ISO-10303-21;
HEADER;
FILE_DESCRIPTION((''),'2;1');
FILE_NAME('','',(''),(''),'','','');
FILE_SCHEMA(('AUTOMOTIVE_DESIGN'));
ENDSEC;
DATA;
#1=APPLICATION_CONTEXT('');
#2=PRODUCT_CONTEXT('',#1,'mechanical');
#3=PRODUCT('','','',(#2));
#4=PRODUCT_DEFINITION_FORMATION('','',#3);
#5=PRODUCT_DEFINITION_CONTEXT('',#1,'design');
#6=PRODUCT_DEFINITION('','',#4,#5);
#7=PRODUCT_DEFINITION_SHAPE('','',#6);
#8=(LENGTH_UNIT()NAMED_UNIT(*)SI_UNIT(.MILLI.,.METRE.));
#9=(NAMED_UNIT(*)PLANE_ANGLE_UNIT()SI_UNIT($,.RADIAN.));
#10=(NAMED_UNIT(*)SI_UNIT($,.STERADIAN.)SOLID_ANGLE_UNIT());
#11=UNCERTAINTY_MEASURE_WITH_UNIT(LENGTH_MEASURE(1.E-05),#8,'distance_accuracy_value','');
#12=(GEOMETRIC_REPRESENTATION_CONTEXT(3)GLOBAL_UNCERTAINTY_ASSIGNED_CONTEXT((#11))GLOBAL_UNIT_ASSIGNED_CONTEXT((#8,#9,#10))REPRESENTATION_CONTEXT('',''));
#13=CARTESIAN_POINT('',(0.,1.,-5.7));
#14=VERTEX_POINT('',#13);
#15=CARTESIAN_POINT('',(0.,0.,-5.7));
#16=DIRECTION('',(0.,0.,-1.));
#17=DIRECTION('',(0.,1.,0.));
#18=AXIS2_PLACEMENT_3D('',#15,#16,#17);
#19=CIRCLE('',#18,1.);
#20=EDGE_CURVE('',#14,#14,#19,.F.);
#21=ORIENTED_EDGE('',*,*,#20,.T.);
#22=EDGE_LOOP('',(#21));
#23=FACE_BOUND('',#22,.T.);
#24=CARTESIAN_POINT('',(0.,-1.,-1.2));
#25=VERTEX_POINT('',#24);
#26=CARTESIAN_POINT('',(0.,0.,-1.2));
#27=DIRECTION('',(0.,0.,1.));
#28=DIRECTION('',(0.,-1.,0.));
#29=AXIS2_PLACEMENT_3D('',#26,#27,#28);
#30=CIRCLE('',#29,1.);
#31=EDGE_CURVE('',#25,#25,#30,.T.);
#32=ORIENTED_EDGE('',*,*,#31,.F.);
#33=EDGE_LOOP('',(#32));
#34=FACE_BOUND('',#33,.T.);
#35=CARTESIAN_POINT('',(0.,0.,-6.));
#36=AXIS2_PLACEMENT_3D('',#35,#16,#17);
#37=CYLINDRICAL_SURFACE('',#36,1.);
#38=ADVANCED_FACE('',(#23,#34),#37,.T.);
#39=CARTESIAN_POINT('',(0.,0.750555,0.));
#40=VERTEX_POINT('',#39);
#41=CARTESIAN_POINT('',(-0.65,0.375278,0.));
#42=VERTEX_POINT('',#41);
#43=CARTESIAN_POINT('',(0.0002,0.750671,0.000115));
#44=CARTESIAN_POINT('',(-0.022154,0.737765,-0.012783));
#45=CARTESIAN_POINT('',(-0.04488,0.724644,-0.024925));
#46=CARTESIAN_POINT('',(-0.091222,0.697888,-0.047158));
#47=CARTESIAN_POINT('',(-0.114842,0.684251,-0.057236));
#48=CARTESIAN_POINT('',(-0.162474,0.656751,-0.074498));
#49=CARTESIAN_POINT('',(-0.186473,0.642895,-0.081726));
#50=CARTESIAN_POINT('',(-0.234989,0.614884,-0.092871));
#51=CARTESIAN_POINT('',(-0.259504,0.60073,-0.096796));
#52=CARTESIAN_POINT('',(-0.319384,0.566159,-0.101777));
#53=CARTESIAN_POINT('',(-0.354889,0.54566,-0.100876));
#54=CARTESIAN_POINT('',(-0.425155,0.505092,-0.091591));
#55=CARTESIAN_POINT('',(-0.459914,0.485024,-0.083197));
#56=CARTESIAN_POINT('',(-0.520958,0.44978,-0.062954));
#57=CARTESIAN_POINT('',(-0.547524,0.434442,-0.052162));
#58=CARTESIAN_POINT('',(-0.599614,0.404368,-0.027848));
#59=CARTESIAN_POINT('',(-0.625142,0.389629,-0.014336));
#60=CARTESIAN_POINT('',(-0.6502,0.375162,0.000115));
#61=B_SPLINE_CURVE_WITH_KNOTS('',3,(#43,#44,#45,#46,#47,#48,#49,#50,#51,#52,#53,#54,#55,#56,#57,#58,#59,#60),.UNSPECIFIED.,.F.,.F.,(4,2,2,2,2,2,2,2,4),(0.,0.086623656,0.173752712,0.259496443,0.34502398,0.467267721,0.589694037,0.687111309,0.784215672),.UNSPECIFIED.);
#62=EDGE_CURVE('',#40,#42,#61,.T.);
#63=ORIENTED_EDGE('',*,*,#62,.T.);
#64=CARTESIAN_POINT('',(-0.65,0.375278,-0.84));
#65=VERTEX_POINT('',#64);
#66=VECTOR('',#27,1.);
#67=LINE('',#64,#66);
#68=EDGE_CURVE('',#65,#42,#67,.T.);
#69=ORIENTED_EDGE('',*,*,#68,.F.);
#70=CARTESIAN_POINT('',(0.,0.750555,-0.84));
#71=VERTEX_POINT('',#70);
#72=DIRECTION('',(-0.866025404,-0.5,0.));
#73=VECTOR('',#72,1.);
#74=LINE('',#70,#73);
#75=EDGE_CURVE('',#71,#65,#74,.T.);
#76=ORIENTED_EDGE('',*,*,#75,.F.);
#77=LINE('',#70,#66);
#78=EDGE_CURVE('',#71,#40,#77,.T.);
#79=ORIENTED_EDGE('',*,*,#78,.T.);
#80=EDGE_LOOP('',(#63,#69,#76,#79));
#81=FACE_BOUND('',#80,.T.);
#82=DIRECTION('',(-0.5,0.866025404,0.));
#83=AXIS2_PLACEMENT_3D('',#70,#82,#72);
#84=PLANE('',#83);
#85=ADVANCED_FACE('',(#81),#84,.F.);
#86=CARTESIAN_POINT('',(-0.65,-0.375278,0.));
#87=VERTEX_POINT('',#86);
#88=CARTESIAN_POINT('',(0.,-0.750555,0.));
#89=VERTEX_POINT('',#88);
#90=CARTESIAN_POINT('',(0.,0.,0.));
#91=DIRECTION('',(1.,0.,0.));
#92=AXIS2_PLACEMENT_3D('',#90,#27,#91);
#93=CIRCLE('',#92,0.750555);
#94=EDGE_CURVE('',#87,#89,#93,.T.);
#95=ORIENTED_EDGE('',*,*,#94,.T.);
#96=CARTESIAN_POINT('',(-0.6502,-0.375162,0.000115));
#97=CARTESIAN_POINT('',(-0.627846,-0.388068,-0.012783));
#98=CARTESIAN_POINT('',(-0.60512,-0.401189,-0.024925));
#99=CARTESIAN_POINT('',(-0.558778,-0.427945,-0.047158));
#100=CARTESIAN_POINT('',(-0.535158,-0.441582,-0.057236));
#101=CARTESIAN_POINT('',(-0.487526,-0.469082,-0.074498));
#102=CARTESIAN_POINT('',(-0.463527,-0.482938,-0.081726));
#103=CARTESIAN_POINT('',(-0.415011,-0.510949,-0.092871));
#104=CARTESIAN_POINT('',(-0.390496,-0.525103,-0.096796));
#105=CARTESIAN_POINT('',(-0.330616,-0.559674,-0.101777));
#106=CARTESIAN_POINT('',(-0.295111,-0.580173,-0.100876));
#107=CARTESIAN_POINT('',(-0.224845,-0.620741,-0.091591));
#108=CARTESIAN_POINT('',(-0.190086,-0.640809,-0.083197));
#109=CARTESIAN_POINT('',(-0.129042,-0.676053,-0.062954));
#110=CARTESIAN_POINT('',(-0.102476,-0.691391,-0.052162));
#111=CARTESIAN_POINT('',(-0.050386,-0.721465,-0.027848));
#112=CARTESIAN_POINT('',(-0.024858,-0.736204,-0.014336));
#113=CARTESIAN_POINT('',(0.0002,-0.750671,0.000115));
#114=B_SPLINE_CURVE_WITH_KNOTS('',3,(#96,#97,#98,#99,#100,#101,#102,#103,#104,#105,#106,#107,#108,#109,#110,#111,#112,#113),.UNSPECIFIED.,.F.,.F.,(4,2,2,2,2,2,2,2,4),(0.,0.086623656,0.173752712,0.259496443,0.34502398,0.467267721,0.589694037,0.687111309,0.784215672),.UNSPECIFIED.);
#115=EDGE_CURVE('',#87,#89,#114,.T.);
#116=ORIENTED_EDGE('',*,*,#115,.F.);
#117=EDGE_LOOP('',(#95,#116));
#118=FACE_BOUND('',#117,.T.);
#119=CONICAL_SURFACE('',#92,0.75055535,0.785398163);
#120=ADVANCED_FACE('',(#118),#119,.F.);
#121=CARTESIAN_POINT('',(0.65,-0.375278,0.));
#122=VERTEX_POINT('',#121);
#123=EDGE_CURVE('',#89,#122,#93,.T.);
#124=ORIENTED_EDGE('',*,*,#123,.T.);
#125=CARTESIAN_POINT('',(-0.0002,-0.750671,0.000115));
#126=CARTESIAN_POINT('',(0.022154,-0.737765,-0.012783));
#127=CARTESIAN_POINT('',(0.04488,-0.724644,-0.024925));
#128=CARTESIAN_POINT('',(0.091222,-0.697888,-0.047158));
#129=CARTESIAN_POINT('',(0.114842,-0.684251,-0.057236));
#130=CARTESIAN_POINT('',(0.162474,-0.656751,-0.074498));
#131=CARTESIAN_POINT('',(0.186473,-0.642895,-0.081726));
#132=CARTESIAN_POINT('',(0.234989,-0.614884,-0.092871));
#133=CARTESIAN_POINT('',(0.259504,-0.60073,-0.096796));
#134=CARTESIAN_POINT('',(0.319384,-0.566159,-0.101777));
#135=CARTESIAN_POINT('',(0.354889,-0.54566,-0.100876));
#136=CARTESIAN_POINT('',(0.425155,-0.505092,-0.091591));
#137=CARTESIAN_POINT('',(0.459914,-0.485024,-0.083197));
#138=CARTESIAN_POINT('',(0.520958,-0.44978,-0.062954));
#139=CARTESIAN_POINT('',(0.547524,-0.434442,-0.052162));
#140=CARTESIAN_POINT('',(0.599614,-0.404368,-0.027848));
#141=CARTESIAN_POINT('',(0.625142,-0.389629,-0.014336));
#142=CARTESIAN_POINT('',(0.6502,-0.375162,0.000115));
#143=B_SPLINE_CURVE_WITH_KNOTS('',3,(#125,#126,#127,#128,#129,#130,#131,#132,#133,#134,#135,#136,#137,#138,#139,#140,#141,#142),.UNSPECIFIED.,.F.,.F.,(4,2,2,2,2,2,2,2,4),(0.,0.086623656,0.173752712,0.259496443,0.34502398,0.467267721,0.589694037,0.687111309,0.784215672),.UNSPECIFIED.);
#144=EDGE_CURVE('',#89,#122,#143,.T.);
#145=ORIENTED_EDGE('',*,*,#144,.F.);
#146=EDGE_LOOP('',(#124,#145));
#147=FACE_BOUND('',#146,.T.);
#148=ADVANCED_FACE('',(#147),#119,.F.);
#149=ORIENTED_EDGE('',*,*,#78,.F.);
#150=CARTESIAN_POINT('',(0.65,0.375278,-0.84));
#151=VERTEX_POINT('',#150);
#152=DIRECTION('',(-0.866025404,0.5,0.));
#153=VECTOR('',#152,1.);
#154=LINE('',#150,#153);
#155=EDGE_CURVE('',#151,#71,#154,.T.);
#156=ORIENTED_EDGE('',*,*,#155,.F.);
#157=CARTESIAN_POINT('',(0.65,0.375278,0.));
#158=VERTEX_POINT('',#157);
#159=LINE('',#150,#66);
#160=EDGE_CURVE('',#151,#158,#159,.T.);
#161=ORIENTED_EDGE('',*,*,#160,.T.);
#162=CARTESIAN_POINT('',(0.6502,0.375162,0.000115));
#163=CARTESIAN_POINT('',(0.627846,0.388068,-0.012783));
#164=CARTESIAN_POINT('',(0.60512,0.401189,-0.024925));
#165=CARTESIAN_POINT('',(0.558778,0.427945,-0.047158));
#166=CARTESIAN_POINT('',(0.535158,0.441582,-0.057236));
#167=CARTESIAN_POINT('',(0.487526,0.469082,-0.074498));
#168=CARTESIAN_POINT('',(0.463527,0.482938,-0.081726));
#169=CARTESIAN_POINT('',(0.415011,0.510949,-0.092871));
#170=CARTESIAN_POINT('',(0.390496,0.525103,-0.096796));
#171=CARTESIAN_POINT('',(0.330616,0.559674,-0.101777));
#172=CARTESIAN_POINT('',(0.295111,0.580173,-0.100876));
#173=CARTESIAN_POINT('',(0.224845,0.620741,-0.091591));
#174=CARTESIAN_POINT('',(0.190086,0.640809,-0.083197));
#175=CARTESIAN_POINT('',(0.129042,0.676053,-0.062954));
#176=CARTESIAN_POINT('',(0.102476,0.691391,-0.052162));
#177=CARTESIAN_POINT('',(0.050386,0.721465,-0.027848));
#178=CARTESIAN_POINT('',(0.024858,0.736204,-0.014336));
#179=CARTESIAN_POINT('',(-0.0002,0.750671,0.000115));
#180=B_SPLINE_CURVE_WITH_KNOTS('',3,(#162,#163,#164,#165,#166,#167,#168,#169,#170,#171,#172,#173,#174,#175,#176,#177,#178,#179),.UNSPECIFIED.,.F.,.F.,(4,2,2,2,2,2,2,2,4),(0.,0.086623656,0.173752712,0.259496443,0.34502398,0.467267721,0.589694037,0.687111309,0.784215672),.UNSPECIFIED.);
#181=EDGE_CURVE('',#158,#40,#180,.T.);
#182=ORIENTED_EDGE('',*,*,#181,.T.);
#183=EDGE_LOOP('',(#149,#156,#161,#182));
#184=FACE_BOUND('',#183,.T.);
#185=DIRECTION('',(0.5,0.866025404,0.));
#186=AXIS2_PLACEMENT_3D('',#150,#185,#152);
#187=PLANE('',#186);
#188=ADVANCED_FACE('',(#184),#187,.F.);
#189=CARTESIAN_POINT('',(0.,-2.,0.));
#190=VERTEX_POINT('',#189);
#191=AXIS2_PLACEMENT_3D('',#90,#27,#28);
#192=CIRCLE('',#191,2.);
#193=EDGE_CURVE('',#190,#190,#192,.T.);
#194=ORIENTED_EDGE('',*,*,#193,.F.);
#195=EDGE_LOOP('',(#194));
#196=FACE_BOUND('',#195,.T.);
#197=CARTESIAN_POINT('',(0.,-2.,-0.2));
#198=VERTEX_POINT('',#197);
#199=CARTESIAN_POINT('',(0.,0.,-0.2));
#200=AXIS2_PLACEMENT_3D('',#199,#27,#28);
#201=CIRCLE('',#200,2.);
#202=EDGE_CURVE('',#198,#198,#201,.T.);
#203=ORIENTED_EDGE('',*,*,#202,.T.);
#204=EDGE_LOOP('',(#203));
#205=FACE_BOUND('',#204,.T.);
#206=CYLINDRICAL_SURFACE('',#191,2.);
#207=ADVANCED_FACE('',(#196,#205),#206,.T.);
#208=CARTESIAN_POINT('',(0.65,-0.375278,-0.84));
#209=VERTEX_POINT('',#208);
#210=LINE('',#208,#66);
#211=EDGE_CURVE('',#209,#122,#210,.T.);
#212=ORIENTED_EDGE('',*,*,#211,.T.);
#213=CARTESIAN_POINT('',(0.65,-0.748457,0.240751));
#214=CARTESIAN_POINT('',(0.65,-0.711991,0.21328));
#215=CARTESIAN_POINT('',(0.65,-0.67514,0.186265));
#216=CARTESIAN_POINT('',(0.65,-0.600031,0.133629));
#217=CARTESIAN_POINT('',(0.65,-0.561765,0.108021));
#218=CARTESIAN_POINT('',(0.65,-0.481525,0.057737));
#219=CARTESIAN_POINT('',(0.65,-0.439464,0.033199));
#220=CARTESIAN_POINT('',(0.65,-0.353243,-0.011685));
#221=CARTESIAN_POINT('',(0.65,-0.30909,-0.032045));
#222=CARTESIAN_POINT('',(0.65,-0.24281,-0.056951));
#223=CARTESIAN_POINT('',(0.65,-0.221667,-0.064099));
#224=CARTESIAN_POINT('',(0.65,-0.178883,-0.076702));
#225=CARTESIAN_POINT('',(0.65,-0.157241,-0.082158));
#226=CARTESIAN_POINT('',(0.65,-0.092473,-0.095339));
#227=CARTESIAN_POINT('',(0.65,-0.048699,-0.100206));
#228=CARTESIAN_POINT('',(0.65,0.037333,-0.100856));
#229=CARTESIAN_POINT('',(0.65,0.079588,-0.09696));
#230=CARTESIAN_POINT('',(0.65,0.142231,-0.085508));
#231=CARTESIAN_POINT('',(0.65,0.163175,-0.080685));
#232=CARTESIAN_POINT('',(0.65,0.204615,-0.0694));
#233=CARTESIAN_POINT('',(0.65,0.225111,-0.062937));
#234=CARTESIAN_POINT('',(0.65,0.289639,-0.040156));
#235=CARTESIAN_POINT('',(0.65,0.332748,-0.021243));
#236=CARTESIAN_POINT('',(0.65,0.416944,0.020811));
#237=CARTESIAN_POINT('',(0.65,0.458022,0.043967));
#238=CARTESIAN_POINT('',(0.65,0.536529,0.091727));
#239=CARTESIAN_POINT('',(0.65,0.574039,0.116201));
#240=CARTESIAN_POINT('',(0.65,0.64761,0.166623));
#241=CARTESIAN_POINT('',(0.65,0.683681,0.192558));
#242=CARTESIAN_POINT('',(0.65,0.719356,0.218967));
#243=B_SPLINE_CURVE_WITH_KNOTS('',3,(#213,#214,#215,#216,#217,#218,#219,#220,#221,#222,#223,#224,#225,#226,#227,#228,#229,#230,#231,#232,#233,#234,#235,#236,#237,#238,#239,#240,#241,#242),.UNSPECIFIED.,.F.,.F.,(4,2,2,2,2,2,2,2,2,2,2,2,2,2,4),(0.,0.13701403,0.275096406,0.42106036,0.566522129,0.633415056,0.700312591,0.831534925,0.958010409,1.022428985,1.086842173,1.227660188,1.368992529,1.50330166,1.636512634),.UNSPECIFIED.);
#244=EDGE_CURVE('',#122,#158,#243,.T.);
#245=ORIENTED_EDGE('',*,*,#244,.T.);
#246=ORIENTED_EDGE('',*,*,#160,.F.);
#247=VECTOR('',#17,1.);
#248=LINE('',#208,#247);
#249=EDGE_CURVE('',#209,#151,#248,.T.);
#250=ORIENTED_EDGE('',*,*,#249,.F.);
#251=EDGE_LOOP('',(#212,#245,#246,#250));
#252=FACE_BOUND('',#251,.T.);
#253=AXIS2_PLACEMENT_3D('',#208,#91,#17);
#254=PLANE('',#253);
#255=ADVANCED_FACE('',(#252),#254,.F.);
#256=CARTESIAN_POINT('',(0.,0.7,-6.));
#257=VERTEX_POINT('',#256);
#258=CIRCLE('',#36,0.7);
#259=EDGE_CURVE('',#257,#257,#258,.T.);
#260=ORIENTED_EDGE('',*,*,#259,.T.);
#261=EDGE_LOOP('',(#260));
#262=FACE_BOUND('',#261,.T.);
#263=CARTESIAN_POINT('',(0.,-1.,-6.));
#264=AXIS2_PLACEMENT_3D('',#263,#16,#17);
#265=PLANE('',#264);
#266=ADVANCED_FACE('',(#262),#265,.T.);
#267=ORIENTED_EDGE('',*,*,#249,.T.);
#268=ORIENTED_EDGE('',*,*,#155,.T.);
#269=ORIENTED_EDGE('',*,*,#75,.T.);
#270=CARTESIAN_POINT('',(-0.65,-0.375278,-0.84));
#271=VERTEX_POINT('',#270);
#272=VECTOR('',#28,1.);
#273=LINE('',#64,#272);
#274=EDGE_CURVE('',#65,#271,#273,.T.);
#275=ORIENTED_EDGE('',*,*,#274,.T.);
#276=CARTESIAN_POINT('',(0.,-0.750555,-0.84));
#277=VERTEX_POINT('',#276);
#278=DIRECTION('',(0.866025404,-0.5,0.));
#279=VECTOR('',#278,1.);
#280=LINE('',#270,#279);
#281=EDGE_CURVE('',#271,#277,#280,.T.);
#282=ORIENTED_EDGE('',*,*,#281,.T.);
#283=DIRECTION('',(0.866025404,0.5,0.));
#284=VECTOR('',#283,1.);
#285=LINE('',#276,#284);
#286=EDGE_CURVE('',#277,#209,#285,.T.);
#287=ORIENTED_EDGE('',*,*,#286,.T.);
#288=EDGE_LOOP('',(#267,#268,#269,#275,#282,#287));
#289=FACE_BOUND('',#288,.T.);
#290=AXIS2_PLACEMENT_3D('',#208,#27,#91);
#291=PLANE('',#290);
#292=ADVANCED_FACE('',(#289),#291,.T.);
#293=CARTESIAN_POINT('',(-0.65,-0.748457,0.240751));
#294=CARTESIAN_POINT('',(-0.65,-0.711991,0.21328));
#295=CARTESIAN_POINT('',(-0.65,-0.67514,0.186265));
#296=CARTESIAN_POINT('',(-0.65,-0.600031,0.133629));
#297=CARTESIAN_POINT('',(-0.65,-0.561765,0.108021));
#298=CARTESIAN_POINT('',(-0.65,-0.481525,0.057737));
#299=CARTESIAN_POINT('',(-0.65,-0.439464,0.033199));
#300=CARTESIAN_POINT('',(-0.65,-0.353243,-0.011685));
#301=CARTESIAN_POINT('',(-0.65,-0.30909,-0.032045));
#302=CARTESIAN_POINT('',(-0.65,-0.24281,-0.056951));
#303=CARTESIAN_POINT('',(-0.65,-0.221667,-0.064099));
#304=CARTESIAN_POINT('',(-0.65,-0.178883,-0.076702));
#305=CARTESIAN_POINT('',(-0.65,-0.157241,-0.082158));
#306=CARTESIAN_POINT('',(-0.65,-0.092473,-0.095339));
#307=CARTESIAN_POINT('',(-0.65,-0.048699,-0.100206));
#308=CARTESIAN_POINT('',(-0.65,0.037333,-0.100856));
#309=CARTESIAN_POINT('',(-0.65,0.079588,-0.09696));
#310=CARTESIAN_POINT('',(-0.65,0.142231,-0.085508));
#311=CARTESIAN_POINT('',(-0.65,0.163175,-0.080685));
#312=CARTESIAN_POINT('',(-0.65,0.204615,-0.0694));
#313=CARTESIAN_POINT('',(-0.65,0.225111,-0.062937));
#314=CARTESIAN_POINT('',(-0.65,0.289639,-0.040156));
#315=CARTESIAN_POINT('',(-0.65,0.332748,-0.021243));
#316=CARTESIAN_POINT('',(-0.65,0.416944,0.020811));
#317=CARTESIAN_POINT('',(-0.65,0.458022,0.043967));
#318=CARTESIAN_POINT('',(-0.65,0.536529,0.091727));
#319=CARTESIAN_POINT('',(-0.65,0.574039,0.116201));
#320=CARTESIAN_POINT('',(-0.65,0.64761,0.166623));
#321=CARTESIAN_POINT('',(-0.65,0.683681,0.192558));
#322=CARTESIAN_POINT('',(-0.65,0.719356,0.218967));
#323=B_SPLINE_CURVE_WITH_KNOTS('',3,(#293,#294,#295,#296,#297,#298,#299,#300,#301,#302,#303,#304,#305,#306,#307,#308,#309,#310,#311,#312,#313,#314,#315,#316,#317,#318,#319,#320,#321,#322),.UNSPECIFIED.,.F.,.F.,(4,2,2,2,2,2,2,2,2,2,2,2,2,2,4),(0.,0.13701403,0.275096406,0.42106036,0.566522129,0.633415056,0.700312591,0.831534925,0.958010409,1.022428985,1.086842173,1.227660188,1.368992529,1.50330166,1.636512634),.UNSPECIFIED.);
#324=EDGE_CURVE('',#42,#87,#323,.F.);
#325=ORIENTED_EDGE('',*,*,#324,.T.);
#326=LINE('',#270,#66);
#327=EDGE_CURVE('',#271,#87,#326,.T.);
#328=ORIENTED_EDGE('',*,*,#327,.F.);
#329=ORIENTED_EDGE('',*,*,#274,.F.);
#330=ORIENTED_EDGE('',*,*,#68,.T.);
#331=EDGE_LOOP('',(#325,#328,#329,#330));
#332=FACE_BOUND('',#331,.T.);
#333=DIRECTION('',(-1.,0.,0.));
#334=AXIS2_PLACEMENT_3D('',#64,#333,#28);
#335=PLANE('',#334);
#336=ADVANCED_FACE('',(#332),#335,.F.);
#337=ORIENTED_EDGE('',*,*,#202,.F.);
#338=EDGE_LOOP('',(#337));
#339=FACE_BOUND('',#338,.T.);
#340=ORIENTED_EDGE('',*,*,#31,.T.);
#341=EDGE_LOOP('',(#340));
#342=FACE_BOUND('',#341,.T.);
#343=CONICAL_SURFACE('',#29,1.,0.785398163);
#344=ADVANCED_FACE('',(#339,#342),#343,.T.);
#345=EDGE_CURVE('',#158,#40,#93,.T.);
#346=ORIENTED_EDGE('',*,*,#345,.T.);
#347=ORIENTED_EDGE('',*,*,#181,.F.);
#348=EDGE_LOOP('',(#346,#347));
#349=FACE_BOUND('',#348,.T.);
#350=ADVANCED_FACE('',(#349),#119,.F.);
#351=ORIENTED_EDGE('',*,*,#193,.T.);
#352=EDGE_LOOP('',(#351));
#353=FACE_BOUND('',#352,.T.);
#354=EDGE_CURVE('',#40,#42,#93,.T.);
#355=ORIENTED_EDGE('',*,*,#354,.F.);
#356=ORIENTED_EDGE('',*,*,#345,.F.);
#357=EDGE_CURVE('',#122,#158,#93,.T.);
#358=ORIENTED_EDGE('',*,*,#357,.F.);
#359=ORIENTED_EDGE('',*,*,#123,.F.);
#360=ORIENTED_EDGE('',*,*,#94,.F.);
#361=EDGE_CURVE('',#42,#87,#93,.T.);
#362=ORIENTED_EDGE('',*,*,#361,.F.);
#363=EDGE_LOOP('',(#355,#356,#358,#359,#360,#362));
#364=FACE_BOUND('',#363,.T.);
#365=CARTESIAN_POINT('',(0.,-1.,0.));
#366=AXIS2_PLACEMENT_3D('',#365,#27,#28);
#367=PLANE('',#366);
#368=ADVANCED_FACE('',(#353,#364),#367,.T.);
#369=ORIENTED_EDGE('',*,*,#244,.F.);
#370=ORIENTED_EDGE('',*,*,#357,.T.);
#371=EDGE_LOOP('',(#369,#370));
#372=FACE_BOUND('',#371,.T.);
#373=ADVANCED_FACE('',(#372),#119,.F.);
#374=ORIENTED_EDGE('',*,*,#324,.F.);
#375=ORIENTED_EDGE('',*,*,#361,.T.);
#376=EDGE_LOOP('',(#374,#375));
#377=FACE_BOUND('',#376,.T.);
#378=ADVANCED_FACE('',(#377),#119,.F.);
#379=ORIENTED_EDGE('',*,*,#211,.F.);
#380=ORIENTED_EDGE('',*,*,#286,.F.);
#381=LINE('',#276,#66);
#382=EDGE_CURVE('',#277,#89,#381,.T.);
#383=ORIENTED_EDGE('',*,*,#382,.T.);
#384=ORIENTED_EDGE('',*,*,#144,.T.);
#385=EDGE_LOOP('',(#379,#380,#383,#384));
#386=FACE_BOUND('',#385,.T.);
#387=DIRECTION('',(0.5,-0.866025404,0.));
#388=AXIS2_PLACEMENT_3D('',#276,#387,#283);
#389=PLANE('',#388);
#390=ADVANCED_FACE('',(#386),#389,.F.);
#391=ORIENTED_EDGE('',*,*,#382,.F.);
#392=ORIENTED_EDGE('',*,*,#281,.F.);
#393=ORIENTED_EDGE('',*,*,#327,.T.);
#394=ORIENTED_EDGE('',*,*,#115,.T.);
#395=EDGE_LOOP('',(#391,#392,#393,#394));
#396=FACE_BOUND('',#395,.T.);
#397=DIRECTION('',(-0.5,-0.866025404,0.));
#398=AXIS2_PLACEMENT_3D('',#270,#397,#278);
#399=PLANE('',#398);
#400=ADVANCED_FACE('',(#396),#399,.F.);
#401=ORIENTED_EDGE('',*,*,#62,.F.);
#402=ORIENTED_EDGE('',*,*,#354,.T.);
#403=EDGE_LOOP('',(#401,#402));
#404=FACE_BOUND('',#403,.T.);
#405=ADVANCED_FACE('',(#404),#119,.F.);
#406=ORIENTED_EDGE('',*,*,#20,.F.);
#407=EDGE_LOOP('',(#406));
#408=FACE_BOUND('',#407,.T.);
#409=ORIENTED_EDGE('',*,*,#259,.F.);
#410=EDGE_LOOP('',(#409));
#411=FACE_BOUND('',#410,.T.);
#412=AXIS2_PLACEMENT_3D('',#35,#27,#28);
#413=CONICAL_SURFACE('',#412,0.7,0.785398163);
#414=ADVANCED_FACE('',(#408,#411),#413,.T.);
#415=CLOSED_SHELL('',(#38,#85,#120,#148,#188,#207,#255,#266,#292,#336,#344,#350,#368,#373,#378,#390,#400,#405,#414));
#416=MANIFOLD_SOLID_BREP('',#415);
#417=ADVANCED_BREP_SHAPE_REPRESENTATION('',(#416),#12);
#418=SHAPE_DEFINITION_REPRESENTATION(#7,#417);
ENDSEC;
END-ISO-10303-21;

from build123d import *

# Parameters (mm, degrees)
SKETCH1_W          = 6
SKETCH1_H          = 1
CHAMFER1_SIZE      = 0.3
CUT_EXTRUDE2_DEPTH = 0.84


with BuildPart() as part:
    # Sketch1 → Revolve1 (revolve)
    with BuildSketch(Plane(origin=(0, 0, 0), x_dir=(0, 0, -1), z_dir=(1, 0, 0))):
        with Locations((3, 0.5)):
            Rectangle(SKETCH1_W, SKETCH1_H)
    revolve(axis=Axis((0, 0, -6), (0, 0, 1)))

    # Chamfer1
    chamfer1_edges = [part.edges().sort_by_distance(p)[0] for p in [
        (0, -1, -6),
    ]]
    chamfer(chamfer1_edges, length=CHAMFER1_SIZE)

    # Sketch7 → Revolve2 (revolve)
    with BuildSketch(Plane(origin=(0, 0, 0), x_dir=(0, 0, -1), z_dir=(1, 0, 0)), mode=Mode.PRIVATE) as revolve2_sk:
        Polygon((0, 2), (0.2, 2), (1.2, 1), (1.2, 0), (0, 0), align=None)
    revolve(revolve2_sk.sketch.rotate(Axis((0, 0, 0), (0, 0, -1)), 180), axis=Axis((0, 0, 0), (0, 0, -1)))

    # Boss-Extrude1 cone 1 section (through the dimple's axis) → Boss-Extrude1 (revolve)
    with BuildSketch(Plane(origin=(0, 0, -1.2), x_dir=(0, -1, 0), z_dir=(1, 0, 0))):
        Polygon((0, 0), (1, 0), (0, 1), align=None)
    revolve(axis=Axis((0, 0, -1.2), (0, 0, -1)))

    # Sketch5 → Cut-Extrude2 (cut)
    with BuildSketch(Plane.XY):
        Polygon((0.65, -0.375277675), (0.65, 0.375277675), (0, 0.75055535), (-0.65, 0.375277675), (-0.65, -0.375277675), (0, -0.75055535), align=None)
    extrude(amount=-CUT_EXTRUDE2_DEPTH, mode=Mode.SUBTRACT)

    # Cut-Extrude3 cone 1 section (through the dimple's axis) → Cut-Extrude3 (revolve, cut)
    with BuildSketch(Plane(origin=(0, 0, 0), x_dir=(0, -1, 0), z_dir=(1, 0, 0))):
        Polygon((0, 0), (0.75055535, 0), (0, 0.75055535), align=None)
    revolve(axis=Axis((0, 0, 0), (0, 0, -1)), mode=Mode.SUBTRACT)


solid = part.part
